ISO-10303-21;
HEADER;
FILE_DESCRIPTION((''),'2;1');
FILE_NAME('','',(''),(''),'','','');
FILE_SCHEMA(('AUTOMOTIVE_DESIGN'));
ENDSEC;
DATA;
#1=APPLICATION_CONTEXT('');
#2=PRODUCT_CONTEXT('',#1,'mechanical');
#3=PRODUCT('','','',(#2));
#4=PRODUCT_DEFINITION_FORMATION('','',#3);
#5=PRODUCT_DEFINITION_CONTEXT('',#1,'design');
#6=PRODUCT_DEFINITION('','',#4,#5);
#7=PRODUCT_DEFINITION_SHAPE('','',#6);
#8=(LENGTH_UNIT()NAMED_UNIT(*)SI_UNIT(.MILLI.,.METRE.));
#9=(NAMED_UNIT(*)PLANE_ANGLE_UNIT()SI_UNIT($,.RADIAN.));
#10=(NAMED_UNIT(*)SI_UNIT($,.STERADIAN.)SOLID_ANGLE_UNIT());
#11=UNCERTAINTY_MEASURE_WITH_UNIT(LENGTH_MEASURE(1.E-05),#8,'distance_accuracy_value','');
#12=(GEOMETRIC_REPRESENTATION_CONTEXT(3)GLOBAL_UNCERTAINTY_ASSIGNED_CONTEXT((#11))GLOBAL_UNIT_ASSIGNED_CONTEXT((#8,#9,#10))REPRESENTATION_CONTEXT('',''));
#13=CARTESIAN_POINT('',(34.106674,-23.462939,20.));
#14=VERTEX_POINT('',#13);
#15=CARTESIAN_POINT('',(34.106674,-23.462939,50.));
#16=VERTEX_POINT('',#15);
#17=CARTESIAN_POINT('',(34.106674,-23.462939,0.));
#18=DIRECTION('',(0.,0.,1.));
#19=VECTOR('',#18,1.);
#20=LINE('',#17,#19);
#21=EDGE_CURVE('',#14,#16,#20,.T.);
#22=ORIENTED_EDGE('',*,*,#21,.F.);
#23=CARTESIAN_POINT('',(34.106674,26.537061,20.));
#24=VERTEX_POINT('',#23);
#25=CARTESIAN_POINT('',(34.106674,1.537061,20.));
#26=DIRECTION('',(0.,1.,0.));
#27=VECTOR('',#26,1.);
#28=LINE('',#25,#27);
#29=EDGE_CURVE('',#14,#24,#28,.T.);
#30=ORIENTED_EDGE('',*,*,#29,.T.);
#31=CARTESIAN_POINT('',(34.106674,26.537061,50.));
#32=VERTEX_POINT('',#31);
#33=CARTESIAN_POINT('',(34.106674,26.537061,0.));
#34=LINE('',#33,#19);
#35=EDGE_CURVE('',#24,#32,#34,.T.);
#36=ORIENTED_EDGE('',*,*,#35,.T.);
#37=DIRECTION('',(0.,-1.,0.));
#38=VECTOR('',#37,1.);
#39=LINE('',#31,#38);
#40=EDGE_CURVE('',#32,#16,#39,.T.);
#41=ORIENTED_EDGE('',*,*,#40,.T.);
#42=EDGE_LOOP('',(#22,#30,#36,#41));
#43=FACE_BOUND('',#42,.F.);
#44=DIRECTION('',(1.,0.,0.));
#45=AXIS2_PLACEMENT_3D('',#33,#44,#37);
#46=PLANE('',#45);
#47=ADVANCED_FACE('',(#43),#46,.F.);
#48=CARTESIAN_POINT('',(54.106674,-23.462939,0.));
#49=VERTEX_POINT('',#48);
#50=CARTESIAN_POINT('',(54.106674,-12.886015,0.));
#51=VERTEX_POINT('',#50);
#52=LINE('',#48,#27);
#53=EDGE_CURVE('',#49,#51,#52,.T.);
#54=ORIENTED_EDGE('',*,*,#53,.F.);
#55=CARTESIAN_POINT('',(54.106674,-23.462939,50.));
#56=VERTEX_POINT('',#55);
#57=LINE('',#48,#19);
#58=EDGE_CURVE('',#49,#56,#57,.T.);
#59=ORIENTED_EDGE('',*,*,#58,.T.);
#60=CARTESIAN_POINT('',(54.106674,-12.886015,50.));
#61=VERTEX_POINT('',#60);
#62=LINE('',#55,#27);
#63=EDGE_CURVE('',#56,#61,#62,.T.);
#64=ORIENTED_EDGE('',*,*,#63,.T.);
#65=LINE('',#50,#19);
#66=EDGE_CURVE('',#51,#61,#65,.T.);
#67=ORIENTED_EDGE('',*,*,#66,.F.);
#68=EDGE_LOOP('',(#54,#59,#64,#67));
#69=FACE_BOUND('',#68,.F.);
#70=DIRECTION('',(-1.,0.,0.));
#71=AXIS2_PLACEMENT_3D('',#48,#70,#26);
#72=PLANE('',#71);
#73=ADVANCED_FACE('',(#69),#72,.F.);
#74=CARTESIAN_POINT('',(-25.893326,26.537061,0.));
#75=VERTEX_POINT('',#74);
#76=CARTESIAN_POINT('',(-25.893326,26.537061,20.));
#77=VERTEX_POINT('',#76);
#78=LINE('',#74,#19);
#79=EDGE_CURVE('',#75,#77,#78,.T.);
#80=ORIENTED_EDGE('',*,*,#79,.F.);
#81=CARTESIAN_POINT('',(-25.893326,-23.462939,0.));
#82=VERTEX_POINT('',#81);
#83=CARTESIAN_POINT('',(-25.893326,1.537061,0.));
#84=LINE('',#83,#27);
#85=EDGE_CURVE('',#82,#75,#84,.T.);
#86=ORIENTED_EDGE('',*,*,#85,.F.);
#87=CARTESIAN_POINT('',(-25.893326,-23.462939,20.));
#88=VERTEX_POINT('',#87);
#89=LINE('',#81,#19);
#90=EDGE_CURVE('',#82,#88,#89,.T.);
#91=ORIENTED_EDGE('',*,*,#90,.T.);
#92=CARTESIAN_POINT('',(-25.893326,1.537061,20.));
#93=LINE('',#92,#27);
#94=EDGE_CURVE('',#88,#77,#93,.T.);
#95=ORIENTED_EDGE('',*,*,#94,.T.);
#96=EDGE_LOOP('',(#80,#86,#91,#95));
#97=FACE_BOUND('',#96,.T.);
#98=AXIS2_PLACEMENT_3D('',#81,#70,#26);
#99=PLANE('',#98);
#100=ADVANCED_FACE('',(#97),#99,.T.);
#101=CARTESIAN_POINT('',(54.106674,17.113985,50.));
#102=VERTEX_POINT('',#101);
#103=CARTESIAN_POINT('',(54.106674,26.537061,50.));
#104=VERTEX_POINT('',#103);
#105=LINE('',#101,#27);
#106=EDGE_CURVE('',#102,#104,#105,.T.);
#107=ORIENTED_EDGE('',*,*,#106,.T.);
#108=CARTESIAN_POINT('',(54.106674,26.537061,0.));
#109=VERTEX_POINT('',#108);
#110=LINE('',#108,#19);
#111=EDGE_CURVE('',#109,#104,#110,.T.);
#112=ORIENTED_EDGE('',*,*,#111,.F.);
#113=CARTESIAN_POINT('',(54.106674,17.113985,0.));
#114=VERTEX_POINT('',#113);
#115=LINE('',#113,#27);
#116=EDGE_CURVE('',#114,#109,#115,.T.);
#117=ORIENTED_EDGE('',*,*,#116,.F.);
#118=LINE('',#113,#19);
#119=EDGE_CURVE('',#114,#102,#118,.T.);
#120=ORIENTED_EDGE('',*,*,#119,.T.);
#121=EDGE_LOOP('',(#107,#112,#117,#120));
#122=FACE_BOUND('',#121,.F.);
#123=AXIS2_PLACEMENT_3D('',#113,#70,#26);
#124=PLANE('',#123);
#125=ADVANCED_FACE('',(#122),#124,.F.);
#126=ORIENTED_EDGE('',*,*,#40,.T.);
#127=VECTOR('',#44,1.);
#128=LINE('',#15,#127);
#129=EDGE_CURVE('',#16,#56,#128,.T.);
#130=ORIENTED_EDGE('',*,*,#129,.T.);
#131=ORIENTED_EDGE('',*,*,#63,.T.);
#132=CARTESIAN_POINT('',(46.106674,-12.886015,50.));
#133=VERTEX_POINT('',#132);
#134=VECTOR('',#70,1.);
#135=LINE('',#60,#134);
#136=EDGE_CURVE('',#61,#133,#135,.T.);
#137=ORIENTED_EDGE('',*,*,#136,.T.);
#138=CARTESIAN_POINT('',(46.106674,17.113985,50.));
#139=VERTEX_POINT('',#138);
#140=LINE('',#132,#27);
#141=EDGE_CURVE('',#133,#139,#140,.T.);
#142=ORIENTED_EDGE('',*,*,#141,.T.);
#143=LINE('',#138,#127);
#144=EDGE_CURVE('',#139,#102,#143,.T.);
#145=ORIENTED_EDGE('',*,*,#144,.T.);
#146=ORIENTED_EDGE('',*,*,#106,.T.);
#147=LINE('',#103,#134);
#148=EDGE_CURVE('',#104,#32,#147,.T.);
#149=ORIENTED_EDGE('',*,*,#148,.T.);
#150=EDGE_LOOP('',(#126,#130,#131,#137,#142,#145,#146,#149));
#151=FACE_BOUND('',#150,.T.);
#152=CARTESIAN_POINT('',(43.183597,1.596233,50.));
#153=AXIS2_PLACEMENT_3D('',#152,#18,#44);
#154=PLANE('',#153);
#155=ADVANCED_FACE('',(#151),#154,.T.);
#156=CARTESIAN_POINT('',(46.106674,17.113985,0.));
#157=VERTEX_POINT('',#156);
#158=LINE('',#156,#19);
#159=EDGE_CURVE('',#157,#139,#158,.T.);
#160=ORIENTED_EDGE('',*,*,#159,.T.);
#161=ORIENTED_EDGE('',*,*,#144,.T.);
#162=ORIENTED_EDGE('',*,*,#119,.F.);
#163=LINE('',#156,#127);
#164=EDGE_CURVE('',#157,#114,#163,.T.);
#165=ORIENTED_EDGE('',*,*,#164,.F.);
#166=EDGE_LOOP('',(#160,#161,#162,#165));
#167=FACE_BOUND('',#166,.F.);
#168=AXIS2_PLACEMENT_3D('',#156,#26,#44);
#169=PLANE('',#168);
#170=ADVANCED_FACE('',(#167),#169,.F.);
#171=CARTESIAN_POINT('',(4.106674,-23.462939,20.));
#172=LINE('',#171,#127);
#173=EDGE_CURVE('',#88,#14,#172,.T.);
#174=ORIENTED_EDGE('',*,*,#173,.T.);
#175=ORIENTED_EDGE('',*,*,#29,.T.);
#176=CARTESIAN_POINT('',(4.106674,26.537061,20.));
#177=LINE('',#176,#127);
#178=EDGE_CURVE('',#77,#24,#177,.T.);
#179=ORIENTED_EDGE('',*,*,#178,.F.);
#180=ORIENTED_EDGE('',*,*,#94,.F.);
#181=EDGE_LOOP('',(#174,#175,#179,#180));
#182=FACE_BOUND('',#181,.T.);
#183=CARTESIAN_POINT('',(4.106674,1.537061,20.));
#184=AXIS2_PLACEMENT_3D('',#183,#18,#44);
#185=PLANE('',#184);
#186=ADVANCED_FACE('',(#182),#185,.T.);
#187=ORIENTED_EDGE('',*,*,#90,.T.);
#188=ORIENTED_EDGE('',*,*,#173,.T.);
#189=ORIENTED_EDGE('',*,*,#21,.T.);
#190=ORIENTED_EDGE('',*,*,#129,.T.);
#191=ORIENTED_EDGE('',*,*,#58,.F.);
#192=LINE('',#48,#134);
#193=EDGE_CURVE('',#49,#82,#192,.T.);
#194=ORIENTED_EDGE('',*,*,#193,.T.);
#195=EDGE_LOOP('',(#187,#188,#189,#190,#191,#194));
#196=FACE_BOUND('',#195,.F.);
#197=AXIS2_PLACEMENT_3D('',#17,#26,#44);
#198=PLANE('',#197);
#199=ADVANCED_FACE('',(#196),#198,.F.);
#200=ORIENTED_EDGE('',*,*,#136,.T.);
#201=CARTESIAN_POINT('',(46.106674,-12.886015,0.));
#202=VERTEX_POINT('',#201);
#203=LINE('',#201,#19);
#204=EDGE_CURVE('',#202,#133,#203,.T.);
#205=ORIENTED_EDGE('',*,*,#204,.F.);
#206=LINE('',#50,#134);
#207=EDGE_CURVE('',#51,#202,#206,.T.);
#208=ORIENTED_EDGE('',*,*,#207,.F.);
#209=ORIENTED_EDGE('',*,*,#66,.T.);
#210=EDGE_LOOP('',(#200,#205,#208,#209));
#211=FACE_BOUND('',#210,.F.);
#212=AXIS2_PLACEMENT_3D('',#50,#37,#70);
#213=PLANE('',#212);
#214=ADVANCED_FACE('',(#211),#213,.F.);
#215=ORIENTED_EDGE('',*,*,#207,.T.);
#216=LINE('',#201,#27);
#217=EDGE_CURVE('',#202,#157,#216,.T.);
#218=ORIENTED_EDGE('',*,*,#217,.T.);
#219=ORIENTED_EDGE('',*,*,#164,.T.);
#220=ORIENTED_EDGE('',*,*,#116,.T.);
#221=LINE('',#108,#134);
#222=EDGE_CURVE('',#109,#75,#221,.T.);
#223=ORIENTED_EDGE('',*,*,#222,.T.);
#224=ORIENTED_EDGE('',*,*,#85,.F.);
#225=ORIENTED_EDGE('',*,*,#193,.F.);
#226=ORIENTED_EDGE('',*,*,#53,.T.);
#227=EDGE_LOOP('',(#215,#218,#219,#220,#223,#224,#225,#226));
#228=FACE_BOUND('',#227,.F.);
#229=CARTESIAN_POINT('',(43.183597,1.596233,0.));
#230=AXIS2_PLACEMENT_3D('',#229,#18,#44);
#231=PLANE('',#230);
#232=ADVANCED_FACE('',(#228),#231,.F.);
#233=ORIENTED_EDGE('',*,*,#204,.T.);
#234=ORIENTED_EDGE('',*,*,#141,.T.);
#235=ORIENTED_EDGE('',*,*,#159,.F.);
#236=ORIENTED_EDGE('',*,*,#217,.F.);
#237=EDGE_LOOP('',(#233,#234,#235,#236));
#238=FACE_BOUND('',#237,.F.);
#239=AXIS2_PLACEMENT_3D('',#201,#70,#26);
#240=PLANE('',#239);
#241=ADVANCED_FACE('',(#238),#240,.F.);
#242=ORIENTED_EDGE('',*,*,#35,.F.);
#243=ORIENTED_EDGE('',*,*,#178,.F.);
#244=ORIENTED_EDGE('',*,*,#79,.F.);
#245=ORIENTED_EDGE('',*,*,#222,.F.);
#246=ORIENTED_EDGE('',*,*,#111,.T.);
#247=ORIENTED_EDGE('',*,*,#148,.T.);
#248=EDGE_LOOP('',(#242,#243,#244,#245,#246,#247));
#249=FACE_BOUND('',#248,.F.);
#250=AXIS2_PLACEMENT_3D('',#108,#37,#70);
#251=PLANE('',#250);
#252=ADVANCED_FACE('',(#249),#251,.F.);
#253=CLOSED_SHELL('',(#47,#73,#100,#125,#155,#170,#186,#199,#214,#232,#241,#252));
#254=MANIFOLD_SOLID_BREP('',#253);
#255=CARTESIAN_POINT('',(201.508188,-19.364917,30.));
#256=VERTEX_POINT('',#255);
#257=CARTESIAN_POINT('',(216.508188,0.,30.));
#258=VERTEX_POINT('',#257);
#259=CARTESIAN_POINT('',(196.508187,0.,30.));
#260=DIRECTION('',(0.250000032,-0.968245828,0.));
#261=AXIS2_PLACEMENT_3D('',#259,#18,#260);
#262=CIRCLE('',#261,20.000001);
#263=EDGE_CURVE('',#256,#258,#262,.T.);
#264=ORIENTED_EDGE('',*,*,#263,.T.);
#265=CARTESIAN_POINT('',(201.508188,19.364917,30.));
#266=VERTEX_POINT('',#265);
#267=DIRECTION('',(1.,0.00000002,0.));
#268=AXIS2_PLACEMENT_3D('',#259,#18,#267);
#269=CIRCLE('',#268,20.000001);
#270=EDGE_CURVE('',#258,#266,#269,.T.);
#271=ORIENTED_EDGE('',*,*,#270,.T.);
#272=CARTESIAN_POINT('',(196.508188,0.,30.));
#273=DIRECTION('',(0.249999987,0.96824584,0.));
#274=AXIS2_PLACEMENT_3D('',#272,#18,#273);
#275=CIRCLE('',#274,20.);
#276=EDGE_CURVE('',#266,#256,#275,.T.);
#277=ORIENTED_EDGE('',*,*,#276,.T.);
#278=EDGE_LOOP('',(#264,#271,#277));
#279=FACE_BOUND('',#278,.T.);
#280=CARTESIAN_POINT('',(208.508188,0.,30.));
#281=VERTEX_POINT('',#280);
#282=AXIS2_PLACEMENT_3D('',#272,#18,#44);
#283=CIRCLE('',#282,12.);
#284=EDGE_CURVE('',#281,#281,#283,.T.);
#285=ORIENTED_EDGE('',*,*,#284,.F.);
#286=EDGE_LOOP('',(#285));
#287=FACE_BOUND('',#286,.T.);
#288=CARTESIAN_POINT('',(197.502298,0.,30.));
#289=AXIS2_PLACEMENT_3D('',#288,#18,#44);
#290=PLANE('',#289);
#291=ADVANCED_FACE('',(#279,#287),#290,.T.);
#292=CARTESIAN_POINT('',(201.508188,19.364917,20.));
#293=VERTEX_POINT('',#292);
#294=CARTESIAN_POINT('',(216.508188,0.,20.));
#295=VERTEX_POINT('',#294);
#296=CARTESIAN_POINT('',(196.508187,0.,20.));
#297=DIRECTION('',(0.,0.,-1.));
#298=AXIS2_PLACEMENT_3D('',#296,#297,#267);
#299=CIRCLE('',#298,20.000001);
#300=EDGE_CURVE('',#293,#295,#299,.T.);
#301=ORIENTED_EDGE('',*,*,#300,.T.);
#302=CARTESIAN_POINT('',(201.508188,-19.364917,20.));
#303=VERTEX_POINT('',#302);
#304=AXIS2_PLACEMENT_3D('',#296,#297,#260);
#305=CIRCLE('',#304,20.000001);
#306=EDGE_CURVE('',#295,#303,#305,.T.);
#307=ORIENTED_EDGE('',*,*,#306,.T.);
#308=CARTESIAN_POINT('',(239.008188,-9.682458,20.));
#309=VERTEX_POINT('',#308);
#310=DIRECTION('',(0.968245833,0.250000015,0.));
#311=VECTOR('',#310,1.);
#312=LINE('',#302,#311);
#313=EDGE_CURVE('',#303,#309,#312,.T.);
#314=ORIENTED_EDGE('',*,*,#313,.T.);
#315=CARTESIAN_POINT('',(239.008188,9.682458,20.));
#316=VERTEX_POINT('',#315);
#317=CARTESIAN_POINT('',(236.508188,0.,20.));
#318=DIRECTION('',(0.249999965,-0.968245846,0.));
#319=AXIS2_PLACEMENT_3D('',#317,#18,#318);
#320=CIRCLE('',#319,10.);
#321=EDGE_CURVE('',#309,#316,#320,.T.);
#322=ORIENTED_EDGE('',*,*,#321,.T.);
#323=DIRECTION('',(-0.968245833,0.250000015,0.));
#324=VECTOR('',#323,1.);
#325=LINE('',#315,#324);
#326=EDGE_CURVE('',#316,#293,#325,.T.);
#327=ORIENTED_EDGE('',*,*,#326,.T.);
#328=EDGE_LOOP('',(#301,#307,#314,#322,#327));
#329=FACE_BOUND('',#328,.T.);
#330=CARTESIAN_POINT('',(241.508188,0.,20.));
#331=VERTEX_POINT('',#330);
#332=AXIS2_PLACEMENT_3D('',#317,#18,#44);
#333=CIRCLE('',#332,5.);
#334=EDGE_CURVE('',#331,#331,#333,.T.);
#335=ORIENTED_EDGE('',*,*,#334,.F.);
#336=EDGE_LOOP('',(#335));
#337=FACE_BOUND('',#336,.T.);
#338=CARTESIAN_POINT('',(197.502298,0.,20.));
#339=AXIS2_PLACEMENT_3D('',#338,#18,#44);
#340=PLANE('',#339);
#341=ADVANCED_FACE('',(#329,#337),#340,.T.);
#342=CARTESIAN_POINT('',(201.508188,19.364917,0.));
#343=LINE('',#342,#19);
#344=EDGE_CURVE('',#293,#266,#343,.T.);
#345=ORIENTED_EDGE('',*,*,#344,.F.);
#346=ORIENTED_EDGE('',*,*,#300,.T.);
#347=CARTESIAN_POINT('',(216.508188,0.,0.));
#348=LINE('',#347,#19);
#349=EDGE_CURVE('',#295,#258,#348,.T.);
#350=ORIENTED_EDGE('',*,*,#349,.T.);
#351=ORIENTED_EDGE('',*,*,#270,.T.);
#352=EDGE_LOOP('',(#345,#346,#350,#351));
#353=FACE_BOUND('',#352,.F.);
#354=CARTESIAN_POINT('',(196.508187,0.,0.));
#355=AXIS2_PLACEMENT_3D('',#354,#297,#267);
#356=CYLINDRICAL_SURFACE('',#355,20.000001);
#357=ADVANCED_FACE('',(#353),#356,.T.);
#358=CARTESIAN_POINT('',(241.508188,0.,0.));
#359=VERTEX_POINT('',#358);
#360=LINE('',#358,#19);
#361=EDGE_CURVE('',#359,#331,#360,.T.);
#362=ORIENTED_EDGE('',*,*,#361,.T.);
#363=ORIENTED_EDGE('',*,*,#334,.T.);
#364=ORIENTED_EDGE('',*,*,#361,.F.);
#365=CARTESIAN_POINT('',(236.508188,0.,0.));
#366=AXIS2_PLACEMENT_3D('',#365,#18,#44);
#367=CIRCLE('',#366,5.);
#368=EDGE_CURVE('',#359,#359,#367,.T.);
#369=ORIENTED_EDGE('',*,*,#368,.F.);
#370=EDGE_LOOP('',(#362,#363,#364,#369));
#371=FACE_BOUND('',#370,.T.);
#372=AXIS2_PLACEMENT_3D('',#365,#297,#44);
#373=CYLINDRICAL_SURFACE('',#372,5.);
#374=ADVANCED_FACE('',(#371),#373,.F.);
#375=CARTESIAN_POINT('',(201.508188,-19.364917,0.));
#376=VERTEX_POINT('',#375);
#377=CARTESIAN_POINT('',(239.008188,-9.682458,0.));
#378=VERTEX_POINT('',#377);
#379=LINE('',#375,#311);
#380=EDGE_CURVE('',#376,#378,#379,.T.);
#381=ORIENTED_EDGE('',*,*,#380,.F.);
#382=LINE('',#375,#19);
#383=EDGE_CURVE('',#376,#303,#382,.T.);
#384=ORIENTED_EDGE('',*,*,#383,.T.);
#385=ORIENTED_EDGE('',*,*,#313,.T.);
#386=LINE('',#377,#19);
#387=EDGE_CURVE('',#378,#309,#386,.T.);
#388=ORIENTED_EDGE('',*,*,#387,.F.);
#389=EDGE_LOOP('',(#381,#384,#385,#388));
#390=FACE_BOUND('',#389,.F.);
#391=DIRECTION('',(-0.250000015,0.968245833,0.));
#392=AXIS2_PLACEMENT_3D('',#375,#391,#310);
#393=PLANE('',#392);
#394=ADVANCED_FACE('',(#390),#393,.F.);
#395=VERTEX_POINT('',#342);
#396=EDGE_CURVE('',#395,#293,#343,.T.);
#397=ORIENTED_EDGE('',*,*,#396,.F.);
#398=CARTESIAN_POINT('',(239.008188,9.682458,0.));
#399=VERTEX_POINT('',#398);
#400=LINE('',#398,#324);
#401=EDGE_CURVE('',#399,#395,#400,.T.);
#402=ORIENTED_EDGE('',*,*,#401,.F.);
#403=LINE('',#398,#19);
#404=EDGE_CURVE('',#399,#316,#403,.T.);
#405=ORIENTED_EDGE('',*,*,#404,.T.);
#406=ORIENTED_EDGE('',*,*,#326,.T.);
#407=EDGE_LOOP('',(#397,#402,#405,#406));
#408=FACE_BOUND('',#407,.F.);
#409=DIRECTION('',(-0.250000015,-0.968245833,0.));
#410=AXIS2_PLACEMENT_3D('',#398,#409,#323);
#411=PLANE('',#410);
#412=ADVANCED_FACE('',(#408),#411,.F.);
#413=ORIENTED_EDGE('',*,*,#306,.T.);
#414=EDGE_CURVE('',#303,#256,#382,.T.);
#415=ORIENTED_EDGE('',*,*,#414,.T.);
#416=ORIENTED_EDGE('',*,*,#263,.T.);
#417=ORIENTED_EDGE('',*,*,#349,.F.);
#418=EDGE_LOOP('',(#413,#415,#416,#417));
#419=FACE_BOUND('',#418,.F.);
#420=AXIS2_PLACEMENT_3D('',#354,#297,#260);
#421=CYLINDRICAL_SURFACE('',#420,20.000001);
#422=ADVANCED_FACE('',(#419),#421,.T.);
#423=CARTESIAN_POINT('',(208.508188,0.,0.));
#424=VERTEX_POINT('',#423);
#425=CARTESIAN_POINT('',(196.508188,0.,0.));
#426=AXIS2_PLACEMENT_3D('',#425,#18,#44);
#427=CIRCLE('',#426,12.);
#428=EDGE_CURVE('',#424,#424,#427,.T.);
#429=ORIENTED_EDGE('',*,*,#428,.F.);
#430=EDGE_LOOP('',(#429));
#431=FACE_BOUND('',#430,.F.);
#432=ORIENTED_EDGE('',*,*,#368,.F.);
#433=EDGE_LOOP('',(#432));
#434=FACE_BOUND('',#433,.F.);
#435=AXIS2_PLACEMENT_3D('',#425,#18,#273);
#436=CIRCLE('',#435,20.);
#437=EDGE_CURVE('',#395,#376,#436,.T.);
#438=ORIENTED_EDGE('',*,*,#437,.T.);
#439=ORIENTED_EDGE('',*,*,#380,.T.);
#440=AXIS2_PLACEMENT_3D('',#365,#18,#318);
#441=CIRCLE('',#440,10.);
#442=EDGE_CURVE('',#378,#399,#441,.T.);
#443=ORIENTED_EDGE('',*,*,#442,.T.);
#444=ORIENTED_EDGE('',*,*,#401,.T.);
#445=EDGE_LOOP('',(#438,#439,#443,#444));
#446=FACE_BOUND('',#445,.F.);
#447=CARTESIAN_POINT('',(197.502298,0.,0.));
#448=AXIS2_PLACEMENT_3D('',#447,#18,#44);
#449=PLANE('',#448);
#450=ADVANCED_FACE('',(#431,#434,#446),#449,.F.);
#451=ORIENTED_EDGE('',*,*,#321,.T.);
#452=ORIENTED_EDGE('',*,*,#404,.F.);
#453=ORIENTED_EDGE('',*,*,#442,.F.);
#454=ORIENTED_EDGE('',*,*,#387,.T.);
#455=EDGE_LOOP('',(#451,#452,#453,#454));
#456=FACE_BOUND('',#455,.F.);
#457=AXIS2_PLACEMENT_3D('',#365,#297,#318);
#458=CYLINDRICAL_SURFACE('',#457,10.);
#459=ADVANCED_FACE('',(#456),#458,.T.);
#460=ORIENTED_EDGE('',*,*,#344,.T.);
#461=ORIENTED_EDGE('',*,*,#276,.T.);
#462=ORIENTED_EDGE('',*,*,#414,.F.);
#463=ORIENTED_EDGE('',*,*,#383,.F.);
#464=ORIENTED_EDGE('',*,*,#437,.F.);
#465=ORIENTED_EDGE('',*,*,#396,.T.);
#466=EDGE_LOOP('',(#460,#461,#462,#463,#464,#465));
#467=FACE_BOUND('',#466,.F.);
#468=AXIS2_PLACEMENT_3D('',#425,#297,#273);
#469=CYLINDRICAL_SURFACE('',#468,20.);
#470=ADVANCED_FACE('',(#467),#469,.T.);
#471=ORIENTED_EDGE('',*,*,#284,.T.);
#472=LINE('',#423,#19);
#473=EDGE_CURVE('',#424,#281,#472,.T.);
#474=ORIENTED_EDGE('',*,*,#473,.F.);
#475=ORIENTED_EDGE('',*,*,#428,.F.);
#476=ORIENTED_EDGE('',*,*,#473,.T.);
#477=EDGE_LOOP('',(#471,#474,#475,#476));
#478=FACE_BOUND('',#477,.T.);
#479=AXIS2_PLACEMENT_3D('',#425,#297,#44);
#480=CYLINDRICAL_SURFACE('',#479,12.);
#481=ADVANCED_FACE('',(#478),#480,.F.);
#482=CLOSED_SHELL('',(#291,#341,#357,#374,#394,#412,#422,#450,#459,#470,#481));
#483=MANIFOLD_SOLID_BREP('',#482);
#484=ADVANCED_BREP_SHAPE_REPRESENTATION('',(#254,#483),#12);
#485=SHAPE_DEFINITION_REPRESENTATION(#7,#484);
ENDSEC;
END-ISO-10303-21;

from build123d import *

# Parameters (mm, degrees)
F0_W     = 60
F0_H     = 50
F1_DEPTH = 20
F2_DEPTH = 50
F3_R     = 12
F4_DEPTH = 30
F3_R_2   = 5
F5_DEPTH = 20


with BuildPart() as f1:
    # F0 (on Top) → F1 (new body)
    with BuildSketch(Plane.XY):
        with Locations((4.106674, 1.537061)):
            Rectangle(F0_W, F0_H)
    extrude(amount=F1_DEPTH)

    # F0 (on Top) → F2 (join)
    with BuildSketch(Plane.XY):
        Polygon((54.106674, 26.537061), (34.106674, 26.537061), (34.106674, -23.462939), (54.106674, -23.462939), (54.106674, -12.886015), (46.106674, -12.886015), (46.106674, 17.113985), (54.106674, 17.113985), align=None)
    extrude(amount=F2_DEPTH)


with BuildPart() as f4:
    # F3 (on Top) → F4 (new body)
    with BuildSketch(Plane.XY):
        with BuildLine():
            ThreePointArc((201.508188, -19.364917), (212.319576, -12.247449), (216.508188, 0))
            ThreePointArc((216.508188, 0), (212.319576, 12.247449), (201.508188, 19.364917))
            ThreePointArc((201.508188, 19.364917), (176.508188, 0), (201.508188, -19.364917))
        make_face()
        with Locations((196.508188, 0)):
            Circle(F3_R, mode=Mode.SUBTRACT)
    extrude(amount=F4_DEPTH)

    # F3 (on Top) → F5 (join)
    with BuildSketch(Plane.XY):
        with BuildLine():
            ThreePointArc((201.508188, -19.364917), (212.319576, -12.247449), (216.508188, 0))
            ThreePointArc((216.508188, 0), (212.319576, 12.247449), (201.508188, 19.364917))
            ThreePointArc((201.508188, 19.364917), (176.508188, 0), (201.508188, -19.364917))
        make_face()
        with Locations((196.508188, 0)):
            Circle(F3_R, mode=Mode.SUBTRACT)
        with BuildLine():
            ThreePointArc((201.508188, 19.364917), (212.319576, 12.247449), (216.508188, 0))
            ThreePointArc((216.508188, 0), (212.319576, -12.247449), (201.508188, -19.364917))
            Line((201.508188, -19.364917), (239.008188, -9.682458))
            ThreePointArc((239.008188, -9.682458), (246.508188, 0), (239.008188, 9.682458))
            Line((239.008188, 9.682458), (201.508188, 19.364917))
        make_face()
        with Locations((236.508188, 0)):
            Circle(F3_R_2, mode=Mode.SUBTRACT)
    extrude(amount=F5_DEPTH)


solid = Compound([f1.part, f4.part])
